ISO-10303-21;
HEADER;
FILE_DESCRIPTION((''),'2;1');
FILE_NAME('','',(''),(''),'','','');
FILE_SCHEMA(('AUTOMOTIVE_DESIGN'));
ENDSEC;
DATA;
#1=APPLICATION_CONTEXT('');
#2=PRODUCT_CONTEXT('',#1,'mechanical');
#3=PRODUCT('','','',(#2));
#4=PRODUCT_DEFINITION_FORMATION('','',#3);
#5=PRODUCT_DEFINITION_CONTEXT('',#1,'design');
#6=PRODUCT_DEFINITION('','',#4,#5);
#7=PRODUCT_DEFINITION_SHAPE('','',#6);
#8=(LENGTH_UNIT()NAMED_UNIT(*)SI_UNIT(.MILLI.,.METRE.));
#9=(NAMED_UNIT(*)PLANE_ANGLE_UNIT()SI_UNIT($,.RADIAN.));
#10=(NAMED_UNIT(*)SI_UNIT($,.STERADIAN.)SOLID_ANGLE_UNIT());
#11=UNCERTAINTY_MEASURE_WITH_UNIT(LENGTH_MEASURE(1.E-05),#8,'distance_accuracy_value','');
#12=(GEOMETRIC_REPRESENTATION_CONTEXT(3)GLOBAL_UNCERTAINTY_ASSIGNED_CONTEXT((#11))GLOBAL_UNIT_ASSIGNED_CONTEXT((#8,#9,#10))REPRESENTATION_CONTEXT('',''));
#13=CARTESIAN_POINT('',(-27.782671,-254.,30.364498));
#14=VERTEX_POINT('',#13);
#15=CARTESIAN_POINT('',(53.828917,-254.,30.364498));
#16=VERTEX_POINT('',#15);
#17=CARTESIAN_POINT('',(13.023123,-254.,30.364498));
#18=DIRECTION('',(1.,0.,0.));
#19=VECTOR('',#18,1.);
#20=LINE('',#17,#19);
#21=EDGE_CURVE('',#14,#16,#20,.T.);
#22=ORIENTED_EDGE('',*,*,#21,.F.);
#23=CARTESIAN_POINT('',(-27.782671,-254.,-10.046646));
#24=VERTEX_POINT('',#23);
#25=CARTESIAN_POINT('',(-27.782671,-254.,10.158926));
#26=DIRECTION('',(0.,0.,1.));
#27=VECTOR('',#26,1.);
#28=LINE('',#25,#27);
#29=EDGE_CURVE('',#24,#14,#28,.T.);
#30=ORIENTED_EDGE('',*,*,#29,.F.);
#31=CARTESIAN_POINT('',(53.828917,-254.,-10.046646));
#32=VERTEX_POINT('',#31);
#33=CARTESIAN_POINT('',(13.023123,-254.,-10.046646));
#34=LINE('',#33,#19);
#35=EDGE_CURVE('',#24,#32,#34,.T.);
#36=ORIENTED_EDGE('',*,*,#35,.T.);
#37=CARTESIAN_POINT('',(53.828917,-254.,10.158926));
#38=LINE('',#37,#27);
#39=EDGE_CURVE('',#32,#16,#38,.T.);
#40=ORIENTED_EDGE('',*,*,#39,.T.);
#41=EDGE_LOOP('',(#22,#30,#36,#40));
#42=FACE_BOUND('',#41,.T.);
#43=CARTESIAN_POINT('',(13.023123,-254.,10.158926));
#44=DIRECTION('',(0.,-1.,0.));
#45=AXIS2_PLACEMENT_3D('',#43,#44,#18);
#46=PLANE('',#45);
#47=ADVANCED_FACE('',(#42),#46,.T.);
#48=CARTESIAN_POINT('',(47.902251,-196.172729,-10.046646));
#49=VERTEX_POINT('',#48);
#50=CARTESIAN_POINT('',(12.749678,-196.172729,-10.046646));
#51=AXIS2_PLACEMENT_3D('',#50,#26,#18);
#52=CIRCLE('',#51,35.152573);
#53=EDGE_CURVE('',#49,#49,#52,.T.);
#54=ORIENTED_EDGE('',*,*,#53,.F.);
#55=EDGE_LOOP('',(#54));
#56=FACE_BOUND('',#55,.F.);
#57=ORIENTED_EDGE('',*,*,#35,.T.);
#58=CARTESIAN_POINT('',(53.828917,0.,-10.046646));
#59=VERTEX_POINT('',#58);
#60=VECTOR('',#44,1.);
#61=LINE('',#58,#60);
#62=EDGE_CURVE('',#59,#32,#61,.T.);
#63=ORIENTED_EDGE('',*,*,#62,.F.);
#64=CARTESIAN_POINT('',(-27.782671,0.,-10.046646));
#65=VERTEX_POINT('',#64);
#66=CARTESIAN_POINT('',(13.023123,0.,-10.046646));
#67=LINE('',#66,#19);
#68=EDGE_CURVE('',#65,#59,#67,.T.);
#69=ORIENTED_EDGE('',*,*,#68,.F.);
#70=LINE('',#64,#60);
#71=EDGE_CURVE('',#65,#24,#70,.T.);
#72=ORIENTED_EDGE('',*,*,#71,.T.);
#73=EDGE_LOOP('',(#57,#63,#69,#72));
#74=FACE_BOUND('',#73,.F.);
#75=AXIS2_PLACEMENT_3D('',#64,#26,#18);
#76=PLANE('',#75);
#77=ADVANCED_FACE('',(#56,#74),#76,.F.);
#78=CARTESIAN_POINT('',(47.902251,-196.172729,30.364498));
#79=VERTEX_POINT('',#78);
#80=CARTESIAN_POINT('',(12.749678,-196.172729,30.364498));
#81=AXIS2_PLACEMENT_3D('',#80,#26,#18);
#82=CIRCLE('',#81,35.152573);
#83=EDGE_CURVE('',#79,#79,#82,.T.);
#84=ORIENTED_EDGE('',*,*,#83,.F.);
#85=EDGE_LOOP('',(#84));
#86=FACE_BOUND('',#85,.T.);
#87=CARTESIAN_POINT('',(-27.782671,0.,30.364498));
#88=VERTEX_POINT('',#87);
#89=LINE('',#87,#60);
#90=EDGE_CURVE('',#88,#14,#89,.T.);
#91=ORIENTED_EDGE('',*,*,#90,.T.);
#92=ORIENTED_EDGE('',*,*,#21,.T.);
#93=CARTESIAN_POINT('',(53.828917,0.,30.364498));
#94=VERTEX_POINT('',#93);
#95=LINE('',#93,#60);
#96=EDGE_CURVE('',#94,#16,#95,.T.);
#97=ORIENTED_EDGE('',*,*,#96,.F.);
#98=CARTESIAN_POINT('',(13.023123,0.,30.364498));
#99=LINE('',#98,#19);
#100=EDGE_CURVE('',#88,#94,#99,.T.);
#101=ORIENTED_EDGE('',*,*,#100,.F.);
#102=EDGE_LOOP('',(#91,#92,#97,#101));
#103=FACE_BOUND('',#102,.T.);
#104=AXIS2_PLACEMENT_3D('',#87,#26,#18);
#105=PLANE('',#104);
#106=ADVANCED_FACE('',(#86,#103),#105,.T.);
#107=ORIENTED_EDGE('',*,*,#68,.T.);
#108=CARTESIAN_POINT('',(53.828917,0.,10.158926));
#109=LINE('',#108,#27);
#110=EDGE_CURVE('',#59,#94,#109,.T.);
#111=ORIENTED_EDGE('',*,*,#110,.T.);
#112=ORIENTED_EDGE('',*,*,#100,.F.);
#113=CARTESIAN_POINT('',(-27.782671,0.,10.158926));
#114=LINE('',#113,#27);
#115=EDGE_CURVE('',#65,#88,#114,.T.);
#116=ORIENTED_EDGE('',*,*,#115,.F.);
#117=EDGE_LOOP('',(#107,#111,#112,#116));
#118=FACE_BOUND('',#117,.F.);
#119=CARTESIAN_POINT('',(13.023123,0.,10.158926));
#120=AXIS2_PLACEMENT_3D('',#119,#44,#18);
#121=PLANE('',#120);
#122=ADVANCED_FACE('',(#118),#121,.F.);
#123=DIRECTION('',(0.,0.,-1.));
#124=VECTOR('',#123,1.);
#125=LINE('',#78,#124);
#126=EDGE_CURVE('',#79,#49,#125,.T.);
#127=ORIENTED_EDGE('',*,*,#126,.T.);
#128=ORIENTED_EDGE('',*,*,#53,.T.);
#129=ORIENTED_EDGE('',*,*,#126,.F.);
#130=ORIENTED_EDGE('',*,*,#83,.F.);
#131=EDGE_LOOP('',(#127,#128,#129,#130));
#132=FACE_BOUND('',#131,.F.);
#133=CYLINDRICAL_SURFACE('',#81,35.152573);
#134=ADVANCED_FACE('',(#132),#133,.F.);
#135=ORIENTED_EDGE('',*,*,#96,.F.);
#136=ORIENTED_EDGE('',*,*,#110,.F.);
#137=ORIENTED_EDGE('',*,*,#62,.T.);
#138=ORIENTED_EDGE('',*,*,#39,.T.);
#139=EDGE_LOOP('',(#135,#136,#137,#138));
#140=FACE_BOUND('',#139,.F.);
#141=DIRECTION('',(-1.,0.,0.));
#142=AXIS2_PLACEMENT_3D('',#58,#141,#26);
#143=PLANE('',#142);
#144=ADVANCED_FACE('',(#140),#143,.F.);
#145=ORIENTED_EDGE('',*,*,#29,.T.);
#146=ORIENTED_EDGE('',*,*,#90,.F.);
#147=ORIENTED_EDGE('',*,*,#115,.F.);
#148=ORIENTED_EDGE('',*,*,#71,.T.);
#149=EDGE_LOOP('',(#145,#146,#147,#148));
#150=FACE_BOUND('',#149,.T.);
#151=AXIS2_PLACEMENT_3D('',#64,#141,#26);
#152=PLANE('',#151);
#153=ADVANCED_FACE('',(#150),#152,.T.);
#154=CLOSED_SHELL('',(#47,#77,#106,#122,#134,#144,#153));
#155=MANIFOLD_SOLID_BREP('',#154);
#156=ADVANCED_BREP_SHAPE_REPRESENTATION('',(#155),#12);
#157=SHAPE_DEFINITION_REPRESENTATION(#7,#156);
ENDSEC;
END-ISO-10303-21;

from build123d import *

# Parameters (mm, degrees)
F0_W     = 81.611588
F0_H     = 40.411144
F1_DEPTH = 254
F2_R     = 35.152573
F3_DEPTH = 254


with BuildPart() as f1:
    # F0 (on Front) → F1 (new body)
    with BuildSketch(Plane.XZ):
        with Locations((13.023123, 10.158926)):
            Rectangle(F0_W, F0_H)
    extrude(amount=F1_DEPTH)

    # F2 (on face) → F3 (cut)
    with BuildSketch(Plane.XY.offset(30.364498)):
        with Locations((12.749678, -196.172729)):
            Circle(F2_R)
    extrude(amount=-F3_DEPTH, mode=Mode.SUBTRACT)


solid = f1.part
